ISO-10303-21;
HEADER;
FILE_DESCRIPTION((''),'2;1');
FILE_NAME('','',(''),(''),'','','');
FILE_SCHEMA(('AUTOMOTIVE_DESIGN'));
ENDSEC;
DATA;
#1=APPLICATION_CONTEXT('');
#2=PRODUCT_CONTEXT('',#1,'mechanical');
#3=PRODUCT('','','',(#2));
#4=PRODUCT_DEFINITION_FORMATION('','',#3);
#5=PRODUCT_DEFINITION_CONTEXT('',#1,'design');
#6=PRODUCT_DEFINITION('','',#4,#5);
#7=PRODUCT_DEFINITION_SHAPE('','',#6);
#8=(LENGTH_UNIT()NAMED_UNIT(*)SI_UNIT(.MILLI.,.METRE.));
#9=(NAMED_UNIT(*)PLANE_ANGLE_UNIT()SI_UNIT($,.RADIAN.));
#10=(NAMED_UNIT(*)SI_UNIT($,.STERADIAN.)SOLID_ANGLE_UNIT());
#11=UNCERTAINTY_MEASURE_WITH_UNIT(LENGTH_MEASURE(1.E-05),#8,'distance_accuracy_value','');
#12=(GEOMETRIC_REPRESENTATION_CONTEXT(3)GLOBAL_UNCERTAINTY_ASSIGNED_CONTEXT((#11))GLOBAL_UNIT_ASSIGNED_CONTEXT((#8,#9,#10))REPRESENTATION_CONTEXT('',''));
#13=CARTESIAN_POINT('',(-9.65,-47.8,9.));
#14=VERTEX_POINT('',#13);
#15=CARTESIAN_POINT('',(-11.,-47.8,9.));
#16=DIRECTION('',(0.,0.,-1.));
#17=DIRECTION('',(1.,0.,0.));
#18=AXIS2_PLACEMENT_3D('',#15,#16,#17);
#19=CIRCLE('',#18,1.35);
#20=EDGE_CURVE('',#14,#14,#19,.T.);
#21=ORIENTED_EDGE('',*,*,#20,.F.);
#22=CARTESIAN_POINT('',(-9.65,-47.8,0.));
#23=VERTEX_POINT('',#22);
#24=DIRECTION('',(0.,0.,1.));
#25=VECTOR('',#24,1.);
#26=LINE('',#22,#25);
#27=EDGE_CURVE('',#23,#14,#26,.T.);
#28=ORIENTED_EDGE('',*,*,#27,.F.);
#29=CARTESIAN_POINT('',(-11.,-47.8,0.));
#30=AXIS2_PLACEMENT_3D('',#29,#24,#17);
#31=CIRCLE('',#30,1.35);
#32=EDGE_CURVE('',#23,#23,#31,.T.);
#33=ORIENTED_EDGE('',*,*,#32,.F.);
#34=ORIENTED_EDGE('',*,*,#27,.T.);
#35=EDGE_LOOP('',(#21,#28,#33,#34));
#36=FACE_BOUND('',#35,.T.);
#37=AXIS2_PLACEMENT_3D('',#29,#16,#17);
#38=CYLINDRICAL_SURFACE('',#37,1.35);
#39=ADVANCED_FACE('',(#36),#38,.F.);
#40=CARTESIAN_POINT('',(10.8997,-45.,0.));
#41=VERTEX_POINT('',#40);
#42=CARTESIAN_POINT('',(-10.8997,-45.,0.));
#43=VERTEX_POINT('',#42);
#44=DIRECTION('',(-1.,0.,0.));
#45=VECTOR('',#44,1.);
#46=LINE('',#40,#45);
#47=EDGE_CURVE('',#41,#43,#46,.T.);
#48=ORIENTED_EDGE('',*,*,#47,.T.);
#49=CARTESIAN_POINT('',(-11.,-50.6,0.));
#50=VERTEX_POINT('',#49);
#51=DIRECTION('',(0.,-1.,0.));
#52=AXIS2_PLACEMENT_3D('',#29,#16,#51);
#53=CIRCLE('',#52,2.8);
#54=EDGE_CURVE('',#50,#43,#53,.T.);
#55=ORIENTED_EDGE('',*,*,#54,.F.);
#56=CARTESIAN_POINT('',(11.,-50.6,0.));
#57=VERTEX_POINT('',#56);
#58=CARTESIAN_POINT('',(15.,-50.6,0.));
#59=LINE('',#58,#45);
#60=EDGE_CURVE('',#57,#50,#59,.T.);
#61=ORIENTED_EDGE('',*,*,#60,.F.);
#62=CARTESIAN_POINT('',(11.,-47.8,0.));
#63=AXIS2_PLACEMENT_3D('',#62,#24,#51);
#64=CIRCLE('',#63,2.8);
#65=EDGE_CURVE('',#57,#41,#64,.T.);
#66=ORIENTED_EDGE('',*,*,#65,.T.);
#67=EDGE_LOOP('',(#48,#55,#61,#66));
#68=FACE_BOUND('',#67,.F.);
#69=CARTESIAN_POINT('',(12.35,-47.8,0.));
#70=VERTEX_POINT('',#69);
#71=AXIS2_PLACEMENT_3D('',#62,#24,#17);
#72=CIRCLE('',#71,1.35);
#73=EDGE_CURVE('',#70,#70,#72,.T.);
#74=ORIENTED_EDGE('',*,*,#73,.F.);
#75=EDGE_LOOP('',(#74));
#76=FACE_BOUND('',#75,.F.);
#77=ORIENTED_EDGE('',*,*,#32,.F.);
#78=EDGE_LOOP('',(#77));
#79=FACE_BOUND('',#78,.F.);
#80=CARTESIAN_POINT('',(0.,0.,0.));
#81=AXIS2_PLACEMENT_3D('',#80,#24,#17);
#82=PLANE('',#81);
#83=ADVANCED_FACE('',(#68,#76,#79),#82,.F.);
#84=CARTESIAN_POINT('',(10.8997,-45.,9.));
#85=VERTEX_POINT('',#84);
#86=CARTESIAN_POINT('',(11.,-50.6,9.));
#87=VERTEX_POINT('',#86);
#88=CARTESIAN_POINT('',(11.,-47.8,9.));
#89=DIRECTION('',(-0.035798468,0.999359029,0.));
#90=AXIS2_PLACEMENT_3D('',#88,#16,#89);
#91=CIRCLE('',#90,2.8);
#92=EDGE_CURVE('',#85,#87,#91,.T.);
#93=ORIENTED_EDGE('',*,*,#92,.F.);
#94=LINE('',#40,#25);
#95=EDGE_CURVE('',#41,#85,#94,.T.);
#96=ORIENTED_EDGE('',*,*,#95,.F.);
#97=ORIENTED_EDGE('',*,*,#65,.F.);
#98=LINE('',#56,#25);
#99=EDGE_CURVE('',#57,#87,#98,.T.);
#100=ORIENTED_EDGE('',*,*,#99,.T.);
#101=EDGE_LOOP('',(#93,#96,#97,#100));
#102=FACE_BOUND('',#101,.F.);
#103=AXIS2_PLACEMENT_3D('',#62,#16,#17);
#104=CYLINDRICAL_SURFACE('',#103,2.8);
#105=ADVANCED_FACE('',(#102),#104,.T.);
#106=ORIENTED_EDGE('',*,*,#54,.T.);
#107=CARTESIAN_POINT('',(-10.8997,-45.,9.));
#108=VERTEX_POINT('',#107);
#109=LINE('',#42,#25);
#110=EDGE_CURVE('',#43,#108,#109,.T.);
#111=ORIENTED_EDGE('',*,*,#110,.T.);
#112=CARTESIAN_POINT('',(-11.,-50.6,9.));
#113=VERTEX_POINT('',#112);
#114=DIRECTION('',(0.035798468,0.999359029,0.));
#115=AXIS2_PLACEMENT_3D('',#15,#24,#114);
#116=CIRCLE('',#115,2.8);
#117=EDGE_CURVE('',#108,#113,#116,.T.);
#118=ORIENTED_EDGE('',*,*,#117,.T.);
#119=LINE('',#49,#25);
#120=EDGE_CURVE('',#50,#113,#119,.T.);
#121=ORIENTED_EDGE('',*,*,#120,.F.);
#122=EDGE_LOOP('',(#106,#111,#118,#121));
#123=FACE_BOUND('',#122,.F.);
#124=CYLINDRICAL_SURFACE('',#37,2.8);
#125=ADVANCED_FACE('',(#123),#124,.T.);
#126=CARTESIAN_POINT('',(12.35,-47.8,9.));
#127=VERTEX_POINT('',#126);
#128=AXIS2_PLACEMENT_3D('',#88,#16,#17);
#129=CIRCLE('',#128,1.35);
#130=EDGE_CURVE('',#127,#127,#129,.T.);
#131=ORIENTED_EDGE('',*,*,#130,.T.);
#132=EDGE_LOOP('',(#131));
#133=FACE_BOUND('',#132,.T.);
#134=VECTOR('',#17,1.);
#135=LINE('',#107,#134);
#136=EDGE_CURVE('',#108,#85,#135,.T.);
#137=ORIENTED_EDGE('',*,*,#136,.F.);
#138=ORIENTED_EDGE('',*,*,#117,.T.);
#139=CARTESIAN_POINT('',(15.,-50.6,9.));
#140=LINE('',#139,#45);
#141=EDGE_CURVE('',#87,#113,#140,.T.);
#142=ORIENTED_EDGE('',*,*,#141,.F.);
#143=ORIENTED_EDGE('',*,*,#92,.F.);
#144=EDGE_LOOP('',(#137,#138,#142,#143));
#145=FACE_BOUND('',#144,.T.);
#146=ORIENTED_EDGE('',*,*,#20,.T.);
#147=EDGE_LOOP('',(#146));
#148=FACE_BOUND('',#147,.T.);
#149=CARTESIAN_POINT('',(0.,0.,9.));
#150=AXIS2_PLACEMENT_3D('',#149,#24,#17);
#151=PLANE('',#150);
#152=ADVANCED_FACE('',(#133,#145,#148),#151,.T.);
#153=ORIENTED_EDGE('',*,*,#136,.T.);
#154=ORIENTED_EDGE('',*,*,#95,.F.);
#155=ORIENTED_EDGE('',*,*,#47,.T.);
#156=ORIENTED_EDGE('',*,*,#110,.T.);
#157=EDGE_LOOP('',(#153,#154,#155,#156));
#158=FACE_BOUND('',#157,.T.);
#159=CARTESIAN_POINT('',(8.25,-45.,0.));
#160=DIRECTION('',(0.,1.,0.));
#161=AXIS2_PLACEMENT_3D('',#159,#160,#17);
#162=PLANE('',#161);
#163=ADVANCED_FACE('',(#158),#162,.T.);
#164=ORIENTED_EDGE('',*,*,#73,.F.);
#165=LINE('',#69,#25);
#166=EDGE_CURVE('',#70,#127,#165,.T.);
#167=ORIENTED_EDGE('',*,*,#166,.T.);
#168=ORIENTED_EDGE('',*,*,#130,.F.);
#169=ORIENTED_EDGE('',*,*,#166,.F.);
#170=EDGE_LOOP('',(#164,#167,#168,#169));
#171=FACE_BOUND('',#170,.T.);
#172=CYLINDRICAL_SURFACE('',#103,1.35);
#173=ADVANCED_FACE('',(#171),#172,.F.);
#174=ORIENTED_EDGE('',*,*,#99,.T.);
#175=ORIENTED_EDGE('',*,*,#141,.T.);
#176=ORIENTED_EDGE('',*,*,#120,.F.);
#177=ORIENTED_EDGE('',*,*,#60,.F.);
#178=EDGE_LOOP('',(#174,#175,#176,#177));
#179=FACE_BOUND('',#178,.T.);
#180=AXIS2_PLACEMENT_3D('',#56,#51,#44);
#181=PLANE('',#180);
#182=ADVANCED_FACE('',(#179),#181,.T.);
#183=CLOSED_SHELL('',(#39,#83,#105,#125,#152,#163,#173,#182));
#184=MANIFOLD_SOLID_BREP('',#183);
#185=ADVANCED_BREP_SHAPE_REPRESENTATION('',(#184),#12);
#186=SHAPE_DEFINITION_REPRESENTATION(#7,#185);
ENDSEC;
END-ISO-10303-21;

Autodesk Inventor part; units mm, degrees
ref_plane "YZ Plane" through (0, 0, 0) normal (1, 0, 0) x (0, 1, 0)
ref_plane "XZ Plane" through (0, 0, 0) normal (0, 1, 0) x (-1, 0, 0)
ref_plane "XY Plane" through (0, 0, 0) normal (0, 0, 1) x (1, 0, 0)
ref_plane "작업 평면1" through (0, 0, 0) normal (0, 0, 1) x (1, 0, 0)
sketch "스케치1" plane through (0, 0, 0) normal (0, 0, 1) x (1, 0, 0)
  line L0 (13.5, -39.75) -> (11.5, -39.75) projected
  arc A0 (11.5, -39.75) -> (9.25, -42) centre (11.5, -42) ccw projected
  line L1 (9.25, -42) -> (9.25, -44) projected
  arc A1 (8.25, -45) -> (9.25, -44) centre (8.25, -44) ccw projected
  line L2 (8.25, -45) -> (-8.25, -45) projected
  arc A2 (-9.25, -44) -> (-8.25, -45) centre (-8.25, -44) ccw projected
  line L3 (-9.25, -44) -> (-9.25, -42) projected
  arc A3 (-9.25, -42) -> (-11.5, -39.75) centre (-11.5, -42) ccw projected
  line L4 (-11.5, -39.75) -> (-13.5, -39.75) projected
  arc A4 (-14.5, -38.75) -> (-13.5, -39.75) centre (-13.5, -38.75) ccw projected
  line L5 (-14.5, -38.75) -> (-14.5, 8.25) projected
  arc A5 (-13.5, 9.25) -> (-14.5, 8.25) centre (-13.5, 8.25) ccw projected
  line L6 (-13.5, 9.25) -> (-11.5, 9.25) projected
  arc A6 (-11.5, 9.25) -> (-9.25, 11.5) centre (-11.5, 11.5) ccw projected
  line L7 (-9.25, 11.5) -> (-9.25, 14.5) projected
  line L8 (-15, 14.5) -> (-9.25, 14.5) projected
  line L9 (-20.1, 8.5) -> (-15, 14.5) projected
  line L10 (-20.1, -44.6) -> (-20.1, 8.5) projected
  line L11 (-15, -50.6) -> (-20.1, -44.6) projected
  line L12 (15, -50.6) -> (-15, -50.6) projected
  line L13 (20.1, -44.6) -> (15, -50.6) projected
  line L14 (20.1, 8.5) -> (20.1, -44.6) projected
  line L15 (15, 14.5) -> (20.1, 8.5) projected
  line L16 (9.25, 14.5) -> (15, 14.5) projected
  line L17 (9.25, 14.5) -> (9.25, 11.5) projected
  arc A7 (9.25, 11.5) -> (11.5, 9.25) centre (11.5, 11.5) ccw projected
  line L18 (11.5, 9.25) -> (13.5, 9.25) projected
  arc A8 (14.5, 8.25) -> (13.5, 9.25) centre (13.5, 8.25) ccw projected
  line L19 (14.5, 8.25) -> (14.5, -38.75) projected
  arc A9 (13.5, -39.75) -> (14.5, -38.75) centre (13.5, -38.75) ccw projected
  circle A10 centre (17.3, 4) radius 1.35 projected
  circle A11 centre (17.3, -18) radius 1.35 projected
  circle A12 centre (11, -47.8) radius 1.35 projected
  circle A13 centre (-17.3, 4) radius 1.35 projected
  circle A14 centre (-17.3, -18) radius 1.35 projected
  circle A15 centre (-11, -47.8) radius 1.35 projected
  circle A16 centre (17.3, -40) radius 1.35 projected
  circle A17 centre (-17.3, -40) radius 1.35 projected
  line L20 (-10.8997, -45) -> (-7.025, -45) projected
  line L21 (-12.5, -45) -> (-11.1003, -45) projected
  line L22 (15, -50.6) -> (-15, -50.6) projected
  line L23 (11.1003, -45) -> (12.5, -45) projected
  line L24 (7.025, -45) -> (10.8997, -45) projected
  arc A18 (12.5, -45) -> (14.5, -43) centre (12.5, -43) ccw projected
  arc A19 (-14.5, -43) -> (-12.5, -45) centre (-12.5, -43) ccw projected
  circle A20 centre (-11, -47.8) radius 2.8
  circle A21 centre (11, -47.8) radius 2.8
  line L25 (15, -50.6) -> (-15, -50.6) projected
  line L26 (-10.8997, -45) -> (-7.025, -45) projected
  line L27 (8.25, -45) -> (-8.25, -45) projected
  line L28 (7.025, -45) -> (10.8997, -45) projected
  line L29 (15, -50.6) -> (-15, -50.6) projected
  line L30 (-11, -47.8) -> (11, -47.8)
  line L31 (11, -45) -> (-11, -45)
  line L32 (-11, -45) -> (-11, -50.6)
  line L33 (-11, -50.6) -> (11, -50.6)
  line L34 (11, -50.6) -> (11, -45)
  line L35 (11, -45) -> (-11, -50.6) construction
  line L36 (-11, -45) -> (11, -50.6) construction
  point P0 (0, 0)
  point P1 (0, -47.8)
  point P2 (-11, -50.6)
  point P3 (11, -50.6)
  point P4 (10.8997, -45)
extrude "돌출1" add sketch "스케치1" along normal blind 9 contours L24 A21 L30 A20 L20 L2 | A21 L34 A12 L30 | A21 L34 A12 | L30 A12 L34 A21 | A21 L12 A20 L30 | L30 A15 L32 A20 | A20 L32 A15 L30 | A20 L32 A15
ref_plane "작업 평면2" through (0, -75.1, 9) normal (0, 0, 1) x (1, 0, 0)
properties part number "_thigh"
